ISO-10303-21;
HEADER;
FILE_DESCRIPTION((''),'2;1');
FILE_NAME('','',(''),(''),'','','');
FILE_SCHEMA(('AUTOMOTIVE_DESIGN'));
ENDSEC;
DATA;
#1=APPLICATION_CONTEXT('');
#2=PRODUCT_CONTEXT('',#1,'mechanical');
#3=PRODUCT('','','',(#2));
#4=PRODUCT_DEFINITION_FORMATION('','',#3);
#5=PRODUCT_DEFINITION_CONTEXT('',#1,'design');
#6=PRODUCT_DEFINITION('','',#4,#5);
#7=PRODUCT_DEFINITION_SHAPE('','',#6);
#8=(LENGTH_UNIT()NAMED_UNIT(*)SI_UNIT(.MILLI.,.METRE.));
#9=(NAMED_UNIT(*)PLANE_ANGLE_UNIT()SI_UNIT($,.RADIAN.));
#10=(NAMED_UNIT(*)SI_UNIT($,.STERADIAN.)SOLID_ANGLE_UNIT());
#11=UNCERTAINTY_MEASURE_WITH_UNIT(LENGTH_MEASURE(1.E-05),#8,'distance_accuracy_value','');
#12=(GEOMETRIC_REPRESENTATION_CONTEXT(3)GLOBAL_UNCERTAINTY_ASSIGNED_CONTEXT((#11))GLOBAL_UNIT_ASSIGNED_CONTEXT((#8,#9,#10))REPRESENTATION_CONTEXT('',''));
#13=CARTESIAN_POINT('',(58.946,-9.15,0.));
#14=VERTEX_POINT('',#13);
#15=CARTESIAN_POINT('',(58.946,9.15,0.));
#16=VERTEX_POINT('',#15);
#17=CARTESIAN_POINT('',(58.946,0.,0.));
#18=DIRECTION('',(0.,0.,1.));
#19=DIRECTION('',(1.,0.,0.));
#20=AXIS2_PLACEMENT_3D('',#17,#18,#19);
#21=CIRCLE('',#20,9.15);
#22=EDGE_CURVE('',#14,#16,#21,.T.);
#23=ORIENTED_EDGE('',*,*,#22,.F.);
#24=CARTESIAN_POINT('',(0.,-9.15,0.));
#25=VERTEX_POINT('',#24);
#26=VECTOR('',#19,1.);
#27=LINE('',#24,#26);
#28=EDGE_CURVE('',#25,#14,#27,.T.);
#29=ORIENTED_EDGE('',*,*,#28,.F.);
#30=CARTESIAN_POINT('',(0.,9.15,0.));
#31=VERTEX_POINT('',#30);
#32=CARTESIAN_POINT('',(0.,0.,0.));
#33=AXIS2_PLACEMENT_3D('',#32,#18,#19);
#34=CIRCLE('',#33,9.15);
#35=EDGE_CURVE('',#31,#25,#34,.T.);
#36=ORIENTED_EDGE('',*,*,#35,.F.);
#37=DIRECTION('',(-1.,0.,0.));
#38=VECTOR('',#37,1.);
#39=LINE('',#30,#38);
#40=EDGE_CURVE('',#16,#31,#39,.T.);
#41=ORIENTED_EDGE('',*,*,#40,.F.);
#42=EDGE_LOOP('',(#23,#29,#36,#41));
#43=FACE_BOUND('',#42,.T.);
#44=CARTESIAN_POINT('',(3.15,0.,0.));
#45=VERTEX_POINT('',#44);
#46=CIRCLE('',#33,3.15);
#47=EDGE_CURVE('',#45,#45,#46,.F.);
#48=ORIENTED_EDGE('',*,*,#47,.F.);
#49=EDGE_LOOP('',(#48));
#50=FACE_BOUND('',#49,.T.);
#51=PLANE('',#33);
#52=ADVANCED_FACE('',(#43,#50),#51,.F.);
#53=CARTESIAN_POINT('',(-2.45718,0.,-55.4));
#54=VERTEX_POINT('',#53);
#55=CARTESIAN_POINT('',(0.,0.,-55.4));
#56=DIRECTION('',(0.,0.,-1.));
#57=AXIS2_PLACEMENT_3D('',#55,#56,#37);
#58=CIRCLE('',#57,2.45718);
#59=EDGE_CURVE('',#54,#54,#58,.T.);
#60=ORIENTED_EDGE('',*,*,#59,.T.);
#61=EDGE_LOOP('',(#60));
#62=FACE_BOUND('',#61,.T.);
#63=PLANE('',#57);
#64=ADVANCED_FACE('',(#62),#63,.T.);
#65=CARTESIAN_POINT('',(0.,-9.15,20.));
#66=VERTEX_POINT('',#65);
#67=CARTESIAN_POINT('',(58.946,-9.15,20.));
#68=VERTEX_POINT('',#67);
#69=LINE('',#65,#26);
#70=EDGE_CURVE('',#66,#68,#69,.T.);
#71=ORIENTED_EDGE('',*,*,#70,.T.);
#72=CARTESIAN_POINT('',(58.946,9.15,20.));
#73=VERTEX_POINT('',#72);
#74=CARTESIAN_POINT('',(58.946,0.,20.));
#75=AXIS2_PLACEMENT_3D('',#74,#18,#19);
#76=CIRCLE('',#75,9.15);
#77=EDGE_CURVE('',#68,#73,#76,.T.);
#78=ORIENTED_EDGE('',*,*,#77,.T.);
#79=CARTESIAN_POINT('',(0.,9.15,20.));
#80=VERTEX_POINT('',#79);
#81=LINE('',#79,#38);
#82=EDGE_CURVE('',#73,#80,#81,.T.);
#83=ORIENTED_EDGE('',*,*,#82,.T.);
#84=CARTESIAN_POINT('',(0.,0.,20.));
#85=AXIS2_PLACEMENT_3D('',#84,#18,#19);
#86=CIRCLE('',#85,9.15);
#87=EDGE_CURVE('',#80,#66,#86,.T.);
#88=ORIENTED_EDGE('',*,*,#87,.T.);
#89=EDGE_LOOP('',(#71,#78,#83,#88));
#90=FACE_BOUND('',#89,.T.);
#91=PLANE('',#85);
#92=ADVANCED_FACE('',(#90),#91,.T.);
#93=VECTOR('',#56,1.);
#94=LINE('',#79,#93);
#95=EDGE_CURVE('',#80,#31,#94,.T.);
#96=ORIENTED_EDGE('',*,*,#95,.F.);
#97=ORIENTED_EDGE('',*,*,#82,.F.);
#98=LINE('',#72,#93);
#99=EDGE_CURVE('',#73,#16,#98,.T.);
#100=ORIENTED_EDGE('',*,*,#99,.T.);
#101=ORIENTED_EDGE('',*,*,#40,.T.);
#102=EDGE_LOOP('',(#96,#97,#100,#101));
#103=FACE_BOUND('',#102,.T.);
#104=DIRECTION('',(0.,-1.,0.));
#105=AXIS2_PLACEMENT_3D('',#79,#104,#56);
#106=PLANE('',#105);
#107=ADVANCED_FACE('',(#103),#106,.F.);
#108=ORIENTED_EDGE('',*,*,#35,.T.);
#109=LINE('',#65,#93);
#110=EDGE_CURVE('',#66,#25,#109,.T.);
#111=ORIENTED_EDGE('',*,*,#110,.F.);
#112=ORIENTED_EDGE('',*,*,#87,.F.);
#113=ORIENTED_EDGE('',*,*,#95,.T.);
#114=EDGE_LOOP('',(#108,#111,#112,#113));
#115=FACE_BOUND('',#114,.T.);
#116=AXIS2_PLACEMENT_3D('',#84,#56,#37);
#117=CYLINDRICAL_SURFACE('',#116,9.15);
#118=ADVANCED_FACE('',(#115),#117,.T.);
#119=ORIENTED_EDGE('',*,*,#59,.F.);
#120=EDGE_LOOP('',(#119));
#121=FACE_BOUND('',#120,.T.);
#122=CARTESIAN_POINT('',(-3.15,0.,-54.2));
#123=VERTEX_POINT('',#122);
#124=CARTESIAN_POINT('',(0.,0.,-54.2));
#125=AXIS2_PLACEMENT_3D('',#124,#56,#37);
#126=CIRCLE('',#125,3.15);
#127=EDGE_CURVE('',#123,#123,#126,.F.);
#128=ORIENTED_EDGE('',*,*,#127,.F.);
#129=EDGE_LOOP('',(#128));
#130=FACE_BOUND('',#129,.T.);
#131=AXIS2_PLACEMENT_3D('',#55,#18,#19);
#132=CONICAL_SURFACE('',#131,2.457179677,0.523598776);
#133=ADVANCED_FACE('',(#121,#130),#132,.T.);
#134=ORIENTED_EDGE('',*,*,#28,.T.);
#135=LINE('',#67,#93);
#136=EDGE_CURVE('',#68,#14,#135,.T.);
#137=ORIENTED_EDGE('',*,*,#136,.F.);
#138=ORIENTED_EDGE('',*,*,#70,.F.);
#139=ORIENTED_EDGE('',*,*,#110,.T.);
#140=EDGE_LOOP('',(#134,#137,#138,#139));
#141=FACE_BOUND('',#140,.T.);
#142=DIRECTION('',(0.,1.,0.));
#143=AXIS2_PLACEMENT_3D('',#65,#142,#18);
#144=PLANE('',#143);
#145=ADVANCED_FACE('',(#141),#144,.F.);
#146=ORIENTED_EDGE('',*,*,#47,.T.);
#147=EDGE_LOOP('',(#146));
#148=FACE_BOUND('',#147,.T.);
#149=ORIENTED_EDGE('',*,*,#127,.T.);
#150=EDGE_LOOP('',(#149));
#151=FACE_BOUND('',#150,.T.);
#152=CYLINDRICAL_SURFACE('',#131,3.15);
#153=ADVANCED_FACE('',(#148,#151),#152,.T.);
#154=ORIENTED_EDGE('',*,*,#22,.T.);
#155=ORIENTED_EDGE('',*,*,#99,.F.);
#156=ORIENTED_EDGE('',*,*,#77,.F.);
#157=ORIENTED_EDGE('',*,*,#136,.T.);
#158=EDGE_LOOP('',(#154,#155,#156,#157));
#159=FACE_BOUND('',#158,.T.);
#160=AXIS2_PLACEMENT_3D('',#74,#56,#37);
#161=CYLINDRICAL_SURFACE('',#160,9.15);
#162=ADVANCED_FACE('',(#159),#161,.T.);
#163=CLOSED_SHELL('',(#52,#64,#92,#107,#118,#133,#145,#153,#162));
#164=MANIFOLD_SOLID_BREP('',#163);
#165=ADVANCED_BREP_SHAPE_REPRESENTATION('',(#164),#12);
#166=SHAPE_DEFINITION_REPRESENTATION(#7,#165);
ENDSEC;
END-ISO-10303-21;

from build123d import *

# Parameters (mm, degrees)
SALIENTE_EXTRUIR1_DEPTH = 20
SALIENTE_EXTRUIR2_DEPTH = 20
CROQUIS3_R              = 3.15
SALIENTE_EXTRUIR3_DEPTH = 55.4
CHAFL_N1_SIZE           = 1.2
CHAFL_N1_SIZE2          = 0.692820323


with BuildPart() as part:
    # Croquis1 → Saliente-Extruir1 (new body)
    with BuildSketch(Plane.XY):
        with BuildLine():
            Line((63.919718915, 2.991646678), (0.57794053, 7.728420585))
            ThreePointArc((0.57794053, 7.728420585), (-7.75, 0), (0.57794053, -7.728420585))
            Line((0.57794053, -7.728420585), (63.919718915, -2.991646678))
            ThreePointArc((63.919718915, -2.991646678), (66.696, 0), (63.919718915, 2.991646678))
        make_face()
    extrude(amount=SALIENTE_EXTRUIR1_DEPTH)

    # Croquis2 → Saliente-Extruir2 (add)
    with BuildSketch(Plane.XY):
        with BuildLine():
            Line((0, 9.15), (58.946, 9.15))
            ThreePointArc((58.946, 9.15), (68.096, 0), (58.946, -9.15))
            Line((58.946, -9.15), (0, -9.15))
            ThreePointArc((0, -9.15), (-9.15, 0), (0, 9.15))
        make_face()
    extrude(amount=SALIENTE_EXTRUIR2_DEPTH)

    # Croquis3 → Saliente-Extruir3 (add)
    with BuildSketch(Plane(origin=(0, 0, 0), x_dir=(-1, 0, 0), z_dir=(0, 0, -1))):
        Circle(CROQUIS3_R)
    extrude(amount=SALIENTE_EXTRUIR3_DEPTH)

    # Chaflán1
    chafl_n1_edges = [part.edges().sort_by_distance(p)[0] for p in [
        (3.15, 0, -55.4),
    ]]
    chafl_n1_side = [part.faces().sort_by_distance(p)[0] for p in [
        (3.15, 0, -27.7),
    ]]
    chamfer(chafl_n1_edges, length=CHAFL_N1_SIZE, length2=CHAFL_N1_SIZE2, reference=chafl_n1_side[0])


solid = part.part
